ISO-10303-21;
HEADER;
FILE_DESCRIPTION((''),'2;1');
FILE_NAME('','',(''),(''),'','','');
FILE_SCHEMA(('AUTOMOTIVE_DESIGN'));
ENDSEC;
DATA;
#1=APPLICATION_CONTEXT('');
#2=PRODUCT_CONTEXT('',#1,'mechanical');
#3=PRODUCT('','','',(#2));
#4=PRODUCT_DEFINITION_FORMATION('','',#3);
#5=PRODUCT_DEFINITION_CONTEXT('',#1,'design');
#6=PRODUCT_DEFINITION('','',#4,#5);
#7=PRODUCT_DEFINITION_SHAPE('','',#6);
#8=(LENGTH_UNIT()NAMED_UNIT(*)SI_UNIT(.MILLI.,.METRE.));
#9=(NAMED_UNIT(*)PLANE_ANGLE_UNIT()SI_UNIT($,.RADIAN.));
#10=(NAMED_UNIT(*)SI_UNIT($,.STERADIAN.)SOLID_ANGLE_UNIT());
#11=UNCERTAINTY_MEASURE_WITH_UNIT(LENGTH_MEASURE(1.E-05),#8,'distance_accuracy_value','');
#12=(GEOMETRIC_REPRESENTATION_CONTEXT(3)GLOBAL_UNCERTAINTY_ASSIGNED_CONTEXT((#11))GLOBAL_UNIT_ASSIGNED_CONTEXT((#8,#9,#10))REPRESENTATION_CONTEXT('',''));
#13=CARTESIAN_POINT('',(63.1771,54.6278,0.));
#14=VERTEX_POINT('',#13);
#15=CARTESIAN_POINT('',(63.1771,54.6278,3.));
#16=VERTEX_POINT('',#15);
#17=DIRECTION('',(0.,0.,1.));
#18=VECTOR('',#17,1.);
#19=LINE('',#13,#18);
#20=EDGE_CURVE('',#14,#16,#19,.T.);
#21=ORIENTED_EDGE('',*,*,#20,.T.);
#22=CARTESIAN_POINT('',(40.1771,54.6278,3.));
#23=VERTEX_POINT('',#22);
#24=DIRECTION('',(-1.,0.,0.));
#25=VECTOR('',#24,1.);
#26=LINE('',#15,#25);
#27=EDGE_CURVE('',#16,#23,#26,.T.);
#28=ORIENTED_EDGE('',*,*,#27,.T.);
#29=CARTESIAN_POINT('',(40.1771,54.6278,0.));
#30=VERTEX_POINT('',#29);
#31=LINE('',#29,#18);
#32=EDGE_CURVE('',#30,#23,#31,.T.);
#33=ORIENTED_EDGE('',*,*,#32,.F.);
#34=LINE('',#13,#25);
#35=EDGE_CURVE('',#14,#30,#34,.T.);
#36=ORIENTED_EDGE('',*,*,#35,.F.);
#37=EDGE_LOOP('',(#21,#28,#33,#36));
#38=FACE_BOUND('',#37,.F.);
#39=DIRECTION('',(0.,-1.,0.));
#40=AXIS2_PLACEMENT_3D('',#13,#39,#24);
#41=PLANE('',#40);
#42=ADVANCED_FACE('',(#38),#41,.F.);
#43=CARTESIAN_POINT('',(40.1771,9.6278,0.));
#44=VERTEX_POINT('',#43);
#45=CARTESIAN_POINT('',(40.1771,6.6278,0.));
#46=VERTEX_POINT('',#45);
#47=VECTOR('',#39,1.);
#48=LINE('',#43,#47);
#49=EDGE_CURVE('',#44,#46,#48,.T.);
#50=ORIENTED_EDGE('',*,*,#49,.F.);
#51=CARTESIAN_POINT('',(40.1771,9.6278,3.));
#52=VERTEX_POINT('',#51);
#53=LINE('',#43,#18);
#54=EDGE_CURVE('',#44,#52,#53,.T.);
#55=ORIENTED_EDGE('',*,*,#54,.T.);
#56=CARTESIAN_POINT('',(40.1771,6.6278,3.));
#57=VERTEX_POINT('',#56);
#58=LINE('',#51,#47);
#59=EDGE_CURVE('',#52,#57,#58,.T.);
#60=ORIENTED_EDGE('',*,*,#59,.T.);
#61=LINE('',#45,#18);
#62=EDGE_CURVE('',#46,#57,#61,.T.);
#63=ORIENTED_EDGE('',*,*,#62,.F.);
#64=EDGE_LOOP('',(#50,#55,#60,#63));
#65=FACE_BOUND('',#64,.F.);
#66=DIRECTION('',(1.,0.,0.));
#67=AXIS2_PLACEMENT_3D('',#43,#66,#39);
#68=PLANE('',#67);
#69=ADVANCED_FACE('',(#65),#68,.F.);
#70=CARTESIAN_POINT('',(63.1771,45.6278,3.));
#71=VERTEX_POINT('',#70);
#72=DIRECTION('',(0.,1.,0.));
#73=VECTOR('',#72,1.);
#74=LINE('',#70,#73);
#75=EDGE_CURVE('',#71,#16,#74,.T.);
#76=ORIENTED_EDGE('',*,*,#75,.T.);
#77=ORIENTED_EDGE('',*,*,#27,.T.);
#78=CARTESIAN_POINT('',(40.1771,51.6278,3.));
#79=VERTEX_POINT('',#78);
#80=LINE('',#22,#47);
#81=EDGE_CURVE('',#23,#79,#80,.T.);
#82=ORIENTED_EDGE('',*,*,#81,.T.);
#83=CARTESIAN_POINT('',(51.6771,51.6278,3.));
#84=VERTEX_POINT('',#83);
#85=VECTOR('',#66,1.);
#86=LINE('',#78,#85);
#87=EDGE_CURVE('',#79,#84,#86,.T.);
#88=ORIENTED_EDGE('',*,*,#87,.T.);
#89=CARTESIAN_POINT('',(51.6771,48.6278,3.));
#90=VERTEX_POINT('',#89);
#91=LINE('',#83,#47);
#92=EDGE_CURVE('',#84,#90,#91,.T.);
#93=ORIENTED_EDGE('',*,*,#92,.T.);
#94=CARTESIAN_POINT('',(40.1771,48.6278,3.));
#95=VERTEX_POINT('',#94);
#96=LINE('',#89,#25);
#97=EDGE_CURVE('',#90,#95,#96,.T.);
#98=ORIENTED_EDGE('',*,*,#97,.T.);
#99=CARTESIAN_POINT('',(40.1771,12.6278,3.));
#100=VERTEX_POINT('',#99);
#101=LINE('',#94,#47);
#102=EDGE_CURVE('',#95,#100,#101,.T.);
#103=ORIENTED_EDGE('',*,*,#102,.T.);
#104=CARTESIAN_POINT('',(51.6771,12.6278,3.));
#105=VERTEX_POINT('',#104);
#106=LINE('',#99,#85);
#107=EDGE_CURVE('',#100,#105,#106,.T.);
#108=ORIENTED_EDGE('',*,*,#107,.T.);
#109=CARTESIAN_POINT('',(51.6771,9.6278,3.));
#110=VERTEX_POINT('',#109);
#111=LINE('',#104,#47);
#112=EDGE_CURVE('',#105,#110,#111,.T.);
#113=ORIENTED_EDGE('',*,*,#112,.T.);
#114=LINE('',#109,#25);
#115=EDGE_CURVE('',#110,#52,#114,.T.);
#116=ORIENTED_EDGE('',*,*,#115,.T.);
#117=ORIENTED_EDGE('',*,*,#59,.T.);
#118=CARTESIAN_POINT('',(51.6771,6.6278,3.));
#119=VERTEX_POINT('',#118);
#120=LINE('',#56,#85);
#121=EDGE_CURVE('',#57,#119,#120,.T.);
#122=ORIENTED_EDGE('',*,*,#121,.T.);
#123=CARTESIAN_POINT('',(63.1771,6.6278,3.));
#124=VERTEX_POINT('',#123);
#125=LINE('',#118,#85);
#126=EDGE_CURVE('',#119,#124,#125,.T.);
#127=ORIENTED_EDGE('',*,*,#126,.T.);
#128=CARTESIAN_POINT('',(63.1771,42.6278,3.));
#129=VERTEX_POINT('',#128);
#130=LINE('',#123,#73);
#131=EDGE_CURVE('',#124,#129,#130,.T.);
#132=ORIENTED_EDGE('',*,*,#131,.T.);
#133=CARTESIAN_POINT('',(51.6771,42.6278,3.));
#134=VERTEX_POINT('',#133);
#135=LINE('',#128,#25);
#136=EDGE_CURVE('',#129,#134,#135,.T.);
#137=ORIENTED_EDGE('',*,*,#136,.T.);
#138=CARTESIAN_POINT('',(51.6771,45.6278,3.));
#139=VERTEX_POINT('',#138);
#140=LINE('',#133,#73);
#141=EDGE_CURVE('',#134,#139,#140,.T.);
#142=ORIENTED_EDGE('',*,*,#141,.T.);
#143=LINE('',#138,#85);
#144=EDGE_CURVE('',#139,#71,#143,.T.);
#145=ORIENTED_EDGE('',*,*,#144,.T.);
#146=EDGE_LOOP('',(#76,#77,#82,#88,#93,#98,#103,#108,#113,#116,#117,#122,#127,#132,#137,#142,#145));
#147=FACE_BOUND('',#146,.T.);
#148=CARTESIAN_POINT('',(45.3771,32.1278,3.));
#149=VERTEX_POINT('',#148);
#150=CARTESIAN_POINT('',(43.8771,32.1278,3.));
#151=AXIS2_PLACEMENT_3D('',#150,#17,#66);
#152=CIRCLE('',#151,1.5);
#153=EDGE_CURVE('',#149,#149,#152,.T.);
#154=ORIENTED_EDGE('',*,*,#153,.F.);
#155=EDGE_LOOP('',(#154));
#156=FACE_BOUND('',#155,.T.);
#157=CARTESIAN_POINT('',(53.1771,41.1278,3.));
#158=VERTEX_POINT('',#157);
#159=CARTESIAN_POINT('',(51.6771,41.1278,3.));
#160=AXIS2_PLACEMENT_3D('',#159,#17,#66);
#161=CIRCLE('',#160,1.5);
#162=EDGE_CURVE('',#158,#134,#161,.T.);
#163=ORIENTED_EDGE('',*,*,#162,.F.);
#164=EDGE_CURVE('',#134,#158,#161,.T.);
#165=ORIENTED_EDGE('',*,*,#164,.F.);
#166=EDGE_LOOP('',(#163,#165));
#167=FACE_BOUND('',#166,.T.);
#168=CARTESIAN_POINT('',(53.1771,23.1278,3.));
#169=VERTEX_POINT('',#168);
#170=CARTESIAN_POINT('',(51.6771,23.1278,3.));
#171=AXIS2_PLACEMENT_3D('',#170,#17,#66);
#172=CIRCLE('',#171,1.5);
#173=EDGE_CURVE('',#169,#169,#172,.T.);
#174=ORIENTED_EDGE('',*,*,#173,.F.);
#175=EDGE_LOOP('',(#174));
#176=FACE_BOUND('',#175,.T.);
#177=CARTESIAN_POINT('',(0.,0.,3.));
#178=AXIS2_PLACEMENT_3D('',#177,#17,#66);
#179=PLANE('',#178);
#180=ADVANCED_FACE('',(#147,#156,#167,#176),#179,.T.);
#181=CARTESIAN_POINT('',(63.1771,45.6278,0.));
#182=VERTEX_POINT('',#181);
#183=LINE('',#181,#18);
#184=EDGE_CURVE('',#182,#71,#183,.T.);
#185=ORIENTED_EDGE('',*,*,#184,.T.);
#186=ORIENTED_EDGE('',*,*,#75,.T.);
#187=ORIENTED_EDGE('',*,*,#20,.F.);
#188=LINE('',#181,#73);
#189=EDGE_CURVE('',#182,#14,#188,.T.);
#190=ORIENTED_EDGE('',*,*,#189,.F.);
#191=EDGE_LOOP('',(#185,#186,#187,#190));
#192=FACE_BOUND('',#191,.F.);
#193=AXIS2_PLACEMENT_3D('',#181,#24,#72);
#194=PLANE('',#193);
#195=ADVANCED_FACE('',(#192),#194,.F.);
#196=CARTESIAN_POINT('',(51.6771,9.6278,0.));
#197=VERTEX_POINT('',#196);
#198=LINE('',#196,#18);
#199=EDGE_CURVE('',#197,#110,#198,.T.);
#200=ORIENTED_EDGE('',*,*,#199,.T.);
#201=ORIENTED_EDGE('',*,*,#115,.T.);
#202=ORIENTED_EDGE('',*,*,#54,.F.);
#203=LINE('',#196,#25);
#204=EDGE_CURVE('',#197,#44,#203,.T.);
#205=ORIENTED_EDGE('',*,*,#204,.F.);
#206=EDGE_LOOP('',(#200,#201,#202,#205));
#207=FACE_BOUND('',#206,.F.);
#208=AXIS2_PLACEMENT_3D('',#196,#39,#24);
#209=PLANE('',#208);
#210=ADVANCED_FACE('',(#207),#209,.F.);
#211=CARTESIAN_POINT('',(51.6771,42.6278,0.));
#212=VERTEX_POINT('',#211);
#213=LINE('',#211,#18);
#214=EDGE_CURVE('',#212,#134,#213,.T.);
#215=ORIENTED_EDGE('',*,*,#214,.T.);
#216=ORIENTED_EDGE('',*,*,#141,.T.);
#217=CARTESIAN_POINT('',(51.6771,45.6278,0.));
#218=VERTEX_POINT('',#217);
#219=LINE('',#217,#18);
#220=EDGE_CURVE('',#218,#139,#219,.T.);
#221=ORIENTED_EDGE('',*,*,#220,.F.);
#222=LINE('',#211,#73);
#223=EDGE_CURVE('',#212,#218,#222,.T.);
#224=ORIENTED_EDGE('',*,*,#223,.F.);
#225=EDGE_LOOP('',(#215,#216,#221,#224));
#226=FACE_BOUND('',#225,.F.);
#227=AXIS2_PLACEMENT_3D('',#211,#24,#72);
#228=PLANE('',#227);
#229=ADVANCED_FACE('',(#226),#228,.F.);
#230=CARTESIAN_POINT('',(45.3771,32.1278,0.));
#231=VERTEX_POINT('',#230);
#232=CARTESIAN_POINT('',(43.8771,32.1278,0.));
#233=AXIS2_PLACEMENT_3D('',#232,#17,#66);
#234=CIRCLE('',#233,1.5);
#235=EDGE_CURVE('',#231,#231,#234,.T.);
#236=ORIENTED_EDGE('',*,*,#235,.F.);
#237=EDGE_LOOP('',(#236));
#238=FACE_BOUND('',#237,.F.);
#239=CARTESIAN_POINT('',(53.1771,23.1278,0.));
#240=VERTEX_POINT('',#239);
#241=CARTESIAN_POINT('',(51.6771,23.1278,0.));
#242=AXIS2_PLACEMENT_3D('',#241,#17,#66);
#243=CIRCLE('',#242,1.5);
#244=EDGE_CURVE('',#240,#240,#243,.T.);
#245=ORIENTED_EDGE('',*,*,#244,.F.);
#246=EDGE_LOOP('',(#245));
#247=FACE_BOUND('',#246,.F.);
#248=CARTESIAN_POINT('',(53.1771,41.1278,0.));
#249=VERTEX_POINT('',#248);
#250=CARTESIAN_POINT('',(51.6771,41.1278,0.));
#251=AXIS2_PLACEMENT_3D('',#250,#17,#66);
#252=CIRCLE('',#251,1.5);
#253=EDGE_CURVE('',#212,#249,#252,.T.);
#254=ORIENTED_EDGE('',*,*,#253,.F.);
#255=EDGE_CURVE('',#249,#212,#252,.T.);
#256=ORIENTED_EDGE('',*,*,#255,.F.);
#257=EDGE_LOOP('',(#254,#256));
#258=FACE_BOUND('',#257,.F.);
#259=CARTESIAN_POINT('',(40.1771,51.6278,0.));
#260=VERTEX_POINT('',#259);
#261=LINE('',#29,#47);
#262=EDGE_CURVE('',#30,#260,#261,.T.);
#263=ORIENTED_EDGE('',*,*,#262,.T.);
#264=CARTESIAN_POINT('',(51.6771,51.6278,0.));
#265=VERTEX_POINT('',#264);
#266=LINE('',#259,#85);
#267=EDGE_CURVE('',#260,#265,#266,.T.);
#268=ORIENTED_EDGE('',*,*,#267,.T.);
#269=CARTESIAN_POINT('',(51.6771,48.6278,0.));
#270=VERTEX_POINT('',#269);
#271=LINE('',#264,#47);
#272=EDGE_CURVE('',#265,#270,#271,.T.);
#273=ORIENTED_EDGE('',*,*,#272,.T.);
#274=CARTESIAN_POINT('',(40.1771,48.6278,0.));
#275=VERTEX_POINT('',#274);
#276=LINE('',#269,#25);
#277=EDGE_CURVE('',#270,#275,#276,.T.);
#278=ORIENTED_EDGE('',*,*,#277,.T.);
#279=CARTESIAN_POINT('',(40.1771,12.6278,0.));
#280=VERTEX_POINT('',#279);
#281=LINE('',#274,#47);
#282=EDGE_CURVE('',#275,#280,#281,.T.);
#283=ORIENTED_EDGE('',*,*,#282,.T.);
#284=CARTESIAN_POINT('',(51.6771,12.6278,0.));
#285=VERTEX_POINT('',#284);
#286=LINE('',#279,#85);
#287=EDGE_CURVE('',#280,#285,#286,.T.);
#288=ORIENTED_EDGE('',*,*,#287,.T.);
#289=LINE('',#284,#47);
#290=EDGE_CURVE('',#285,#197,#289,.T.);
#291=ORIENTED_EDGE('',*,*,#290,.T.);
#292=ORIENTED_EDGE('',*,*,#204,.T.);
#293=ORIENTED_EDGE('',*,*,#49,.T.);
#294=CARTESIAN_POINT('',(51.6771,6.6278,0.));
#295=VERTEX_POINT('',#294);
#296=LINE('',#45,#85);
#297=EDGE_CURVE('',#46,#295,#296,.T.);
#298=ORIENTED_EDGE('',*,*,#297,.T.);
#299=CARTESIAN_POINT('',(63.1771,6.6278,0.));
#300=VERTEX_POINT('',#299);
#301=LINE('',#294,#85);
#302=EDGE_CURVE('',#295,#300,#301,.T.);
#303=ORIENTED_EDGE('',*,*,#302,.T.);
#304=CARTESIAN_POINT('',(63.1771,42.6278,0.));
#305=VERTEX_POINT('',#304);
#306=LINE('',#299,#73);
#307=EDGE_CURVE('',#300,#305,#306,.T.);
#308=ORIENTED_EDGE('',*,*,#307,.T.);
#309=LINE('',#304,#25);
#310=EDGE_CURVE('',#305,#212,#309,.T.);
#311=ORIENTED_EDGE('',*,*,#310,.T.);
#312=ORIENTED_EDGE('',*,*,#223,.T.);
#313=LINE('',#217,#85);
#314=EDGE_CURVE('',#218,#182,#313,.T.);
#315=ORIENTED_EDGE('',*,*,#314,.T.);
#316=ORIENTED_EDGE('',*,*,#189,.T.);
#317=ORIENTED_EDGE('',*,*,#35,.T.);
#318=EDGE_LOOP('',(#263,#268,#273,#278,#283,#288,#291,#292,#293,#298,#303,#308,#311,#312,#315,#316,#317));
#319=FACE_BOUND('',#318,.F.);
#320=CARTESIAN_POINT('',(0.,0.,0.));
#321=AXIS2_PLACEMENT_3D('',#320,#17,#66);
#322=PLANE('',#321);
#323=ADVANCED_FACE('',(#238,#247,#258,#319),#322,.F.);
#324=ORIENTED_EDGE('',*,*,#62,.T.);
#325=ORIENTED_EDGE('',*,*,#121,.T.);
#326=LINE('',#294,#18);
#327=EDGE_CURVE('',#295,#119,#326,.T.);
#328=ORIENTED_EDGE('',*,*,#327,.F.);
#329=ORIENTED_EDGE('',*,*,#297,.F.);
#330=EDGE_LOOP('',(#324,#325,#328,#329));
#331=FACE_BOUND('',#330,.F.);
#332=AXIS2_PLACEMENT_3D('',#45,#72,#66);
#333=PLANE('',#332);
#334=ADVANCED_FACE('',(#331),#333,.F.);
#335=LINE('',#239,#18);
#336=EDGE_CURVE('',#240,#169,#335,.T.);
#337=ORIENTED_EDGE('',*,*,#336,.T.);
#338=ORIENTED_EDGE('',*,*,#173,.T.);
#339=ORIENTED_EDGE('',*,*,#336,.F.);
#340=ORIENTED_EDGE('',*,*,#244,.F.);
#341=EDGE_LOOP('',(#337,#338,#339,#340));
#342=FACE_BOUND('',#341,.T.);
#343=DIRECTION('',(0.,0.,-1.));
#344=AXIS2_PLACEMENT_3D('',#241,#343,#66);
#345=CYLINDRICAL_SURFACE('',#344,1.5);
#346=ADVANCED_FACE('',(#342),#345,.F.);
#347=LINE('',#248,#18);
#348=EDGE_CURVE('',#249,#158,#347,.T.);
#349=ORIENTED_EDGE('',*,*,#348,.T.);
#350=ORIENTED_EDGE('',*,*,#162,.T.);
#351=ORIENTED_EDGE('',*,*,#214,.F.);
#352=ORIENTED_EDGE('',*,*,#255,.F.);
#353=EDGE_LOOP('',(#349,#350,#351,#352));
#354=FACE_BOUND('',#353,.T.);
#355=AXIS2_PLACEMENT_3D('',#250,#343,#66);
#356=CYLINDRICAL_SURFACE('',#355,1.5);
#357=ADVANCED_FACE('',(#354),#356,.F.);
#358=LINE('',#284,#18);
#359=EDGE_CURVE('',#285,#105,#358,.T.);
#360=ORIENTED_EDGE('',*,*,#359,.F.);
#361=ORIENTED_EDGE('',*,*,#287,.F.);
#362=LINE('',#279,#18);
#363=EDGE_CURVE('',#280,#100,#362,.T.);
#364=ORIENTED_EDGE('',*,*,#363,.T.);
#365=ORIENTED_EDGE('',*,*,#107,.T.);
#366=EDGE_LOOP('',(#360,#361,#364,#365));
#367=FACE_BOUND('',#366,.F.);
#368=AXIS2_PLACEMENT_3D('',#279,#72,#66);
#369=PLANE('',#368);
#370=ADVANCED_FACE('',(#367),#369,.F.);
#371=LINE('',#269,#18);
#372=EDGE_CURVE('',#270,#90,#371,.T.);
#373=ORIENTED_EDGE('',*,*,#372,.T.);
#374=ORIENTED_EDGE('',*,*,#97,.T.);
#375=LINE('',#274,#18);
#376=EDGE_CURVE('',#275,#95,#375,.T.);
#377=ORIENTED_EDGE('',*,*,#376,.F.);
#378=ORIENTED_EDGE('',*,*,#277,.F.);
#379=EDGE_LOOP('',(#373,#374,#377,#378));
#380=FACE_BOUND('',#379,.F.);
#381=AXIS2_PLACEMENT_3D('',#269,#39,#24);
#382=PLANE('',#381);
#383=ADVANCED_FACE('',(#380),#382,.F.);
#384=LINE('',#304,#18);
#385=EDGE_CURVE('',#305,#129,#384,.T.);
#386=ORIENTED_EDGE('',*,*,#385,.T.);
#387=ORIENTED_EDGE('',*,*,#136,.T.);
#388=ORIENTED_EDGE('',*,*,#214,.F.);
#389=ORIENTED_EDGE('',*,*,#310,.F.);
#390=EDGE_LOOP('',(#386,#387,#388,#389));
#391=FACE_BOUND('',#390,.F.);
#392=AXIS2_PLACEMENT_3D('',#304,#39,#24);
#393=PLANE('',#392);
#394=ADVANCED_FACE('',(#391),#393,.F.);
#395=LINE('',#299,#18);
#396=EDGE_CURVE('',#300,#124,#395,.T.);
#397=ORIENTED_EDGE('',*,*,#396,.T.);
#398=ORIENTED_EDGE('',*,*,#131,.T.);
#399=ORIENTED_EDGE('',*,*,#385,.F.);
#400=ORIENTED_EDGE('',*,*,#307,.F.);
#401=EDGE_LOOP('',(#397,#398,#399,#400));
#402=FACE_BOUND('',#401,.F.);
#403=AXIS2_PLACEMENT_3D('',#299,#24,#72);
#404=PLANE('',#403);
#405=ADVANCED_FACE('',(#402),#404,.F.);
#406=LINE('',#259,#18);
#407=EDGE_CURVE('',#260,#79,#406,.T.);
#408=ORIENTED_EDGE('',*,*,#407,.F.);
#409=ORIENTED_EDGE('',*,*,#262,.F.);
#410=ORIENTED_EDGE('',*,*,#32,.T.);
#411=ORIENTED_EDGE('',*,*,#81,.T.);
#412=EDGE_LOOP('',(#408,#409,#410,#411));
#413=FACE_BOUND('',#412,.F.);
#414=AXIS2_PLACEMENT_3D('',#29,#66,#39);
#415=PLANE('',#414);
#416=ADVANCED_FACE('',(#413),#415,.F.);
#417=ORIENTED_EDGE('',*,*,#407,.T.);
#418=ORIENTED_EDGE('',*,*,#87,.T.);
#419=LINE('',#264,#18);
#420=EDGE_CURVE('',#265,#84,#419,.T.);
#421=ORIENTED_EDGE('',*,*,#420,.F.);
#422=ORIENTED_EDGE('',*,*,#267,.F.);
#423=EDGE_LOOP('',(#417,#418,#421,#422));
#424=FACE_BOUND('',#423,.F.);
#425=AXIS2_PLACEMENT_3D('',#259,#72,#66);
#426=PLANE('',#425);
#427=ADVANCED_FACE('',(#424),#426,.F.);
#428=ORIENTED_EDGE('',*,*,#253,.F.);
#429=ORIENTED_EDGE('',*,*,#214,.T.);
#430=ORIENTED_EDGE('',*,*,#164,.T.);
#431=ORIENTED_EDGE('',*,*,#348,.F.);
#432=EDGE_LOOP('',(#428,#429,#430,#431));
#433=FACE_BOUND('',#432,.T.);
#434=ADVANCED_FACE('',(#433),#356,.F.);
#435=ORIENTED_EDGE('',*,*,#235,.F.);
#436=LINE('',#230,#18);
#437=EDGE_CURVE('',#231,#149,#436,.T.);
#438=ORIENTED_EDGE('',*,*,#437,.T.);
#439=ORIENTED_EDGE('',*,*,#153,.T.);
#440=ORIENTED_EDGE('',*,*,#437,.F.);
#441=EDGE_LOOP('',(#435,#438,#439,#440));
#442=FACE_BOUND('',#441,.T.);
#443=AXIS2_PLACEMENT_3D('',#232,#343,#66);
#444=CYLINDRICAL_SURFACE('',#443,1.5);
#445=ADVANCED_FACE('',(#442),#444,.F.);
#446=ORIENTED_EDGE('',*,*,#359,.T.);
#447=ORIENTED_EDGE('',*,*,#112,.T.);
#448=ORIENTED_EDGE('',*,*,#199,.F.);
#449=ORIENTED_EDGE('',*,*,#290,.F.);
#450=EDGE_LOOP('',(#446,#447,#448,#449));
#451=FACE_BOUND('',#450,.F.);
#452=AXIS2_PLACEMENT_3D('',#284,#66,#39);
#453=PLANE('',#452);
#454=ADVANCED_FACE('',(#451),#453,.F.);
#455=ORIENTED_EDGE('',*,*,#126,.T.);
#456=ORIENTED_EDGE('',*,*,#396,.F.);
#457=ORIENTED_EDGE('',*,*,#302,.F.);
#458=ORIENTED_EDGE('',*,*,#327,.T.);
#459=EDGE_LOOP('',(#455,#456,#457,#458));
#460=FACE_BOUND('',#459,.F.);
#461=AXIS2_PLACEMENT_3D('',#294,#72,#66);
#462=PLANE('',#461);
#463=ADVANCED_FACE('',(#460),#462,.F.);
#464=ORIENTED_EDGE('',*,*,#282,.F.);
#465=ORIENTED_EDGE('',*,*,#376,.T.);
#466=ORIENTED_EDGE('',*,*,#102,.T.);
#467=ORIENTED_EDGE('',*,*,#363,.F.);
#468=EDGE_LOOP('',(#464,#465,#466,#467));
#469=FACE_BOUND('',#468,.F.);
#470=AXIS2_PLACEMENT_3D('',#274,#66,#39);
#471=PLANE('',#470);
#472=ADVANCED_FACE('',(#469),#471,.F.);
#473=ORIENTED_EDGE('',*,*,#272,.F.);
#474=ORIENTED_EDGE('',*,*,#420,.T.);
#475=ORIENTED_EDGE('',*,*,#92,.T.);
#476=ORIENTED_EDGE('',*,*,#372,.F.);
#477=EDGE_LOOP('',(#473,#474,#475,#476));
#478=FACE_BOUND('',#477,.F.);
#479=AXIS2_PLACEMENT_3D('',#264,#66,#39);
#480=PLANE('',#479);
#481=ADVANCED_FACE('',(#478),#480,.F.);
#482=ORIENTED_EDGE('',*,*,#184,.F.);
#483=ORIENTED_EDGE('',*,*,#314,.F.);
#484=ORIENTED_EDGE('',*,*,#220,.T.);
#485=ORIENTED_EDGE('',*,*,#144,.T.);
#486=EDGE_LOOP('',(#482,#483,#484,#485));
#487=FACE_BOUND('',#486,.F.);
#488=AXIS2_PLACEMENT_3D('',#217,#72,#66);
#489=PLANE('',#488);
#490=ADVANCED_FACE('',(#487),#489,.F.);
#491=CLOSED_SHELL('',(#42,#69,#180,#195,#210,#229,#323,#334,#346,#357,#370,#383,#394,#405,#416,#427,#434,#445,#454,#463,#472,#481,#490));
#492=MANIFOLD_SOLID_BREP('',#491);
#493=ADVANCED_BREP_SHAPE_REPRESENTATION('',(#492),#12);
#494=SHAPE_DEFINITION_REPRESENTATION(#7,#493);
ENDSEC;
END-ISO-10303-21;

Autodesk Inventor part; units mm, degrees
ref_plane "YZ Plane" through (0, 0, 0) normal (1, 0, 0) x (0, 1, 0)
ref_plane "XZ Plane" through (0, 0, 0) normal (0, 1, 0) x (-1, 0, 0)
ref_plane "XY Plane" through (0, 0, 0) normal (0, 0, 1) x (1, 0, 0)
sketch "Sketch2" plane through (0, 0, 0) normal (0, 0, 1) x (1, 0, 0)
  line L0 (63.1771, 54.6278) -> (40.1771, 54.6278)
  line L1 (40.1771, 51.6278) -> (51.6771, 51.6278)
  line L2 (51.6771, 51.6278) -> (51.6771, 48.6278)
  line L3 (51.6771, 48.6278) -> (40.1771, 48.6278)
  line L4 (51.6771, 45.6278) -> (63.1771, 45.6278)
  line L5 (63.1771, 45.6278) -> (63.1771, 45)
  line L6 (63.1771, 42.6278) -> (51.6771, 42.6278)
  line L7 (51.6771, 42.6278) -> (51.6771, 45.6278)
  line L8 (40.1771, 12.6278) -> (51.6771, 12.6278)
  line L9 (51.6771, 12.6278) -> (51.6771, 9.6278)
  line L10 (51.6771, 9.6278) -> (40.1771, 9.6278)
  line L11 (40.1771, 6.6278) -> (51.6771, 6.6278)
  line L12 (51.6771, 6.6278) -> (63.1771, 6.6278)
  circle A0 centre (51.6771, 41.1278) radius 1.5
  circle A1 centre (51.6771, 23.1278) radius 1.5
  circle A2 centre (43.8771, 32.1278) radius 1.5
  line L13 (40.1771, 9.6278) -> (40.1771, 6.6278)
  line L14 (40.1771, 54.6278) -> (40.1771, 51.6278)
  line L15 (40.1771, 48.6278) -> (40.1771, 12.6278)
  line L16 (63.1771, 6.6278) -> (63.1771, 42.6278)
  line L17 (63.1771, 45.6278) -> (63.1771, 54.6278)
extrude "Extrusion1" add sketch "Sketch2" along normal blind 3
properties part number "SoporteMotor"
